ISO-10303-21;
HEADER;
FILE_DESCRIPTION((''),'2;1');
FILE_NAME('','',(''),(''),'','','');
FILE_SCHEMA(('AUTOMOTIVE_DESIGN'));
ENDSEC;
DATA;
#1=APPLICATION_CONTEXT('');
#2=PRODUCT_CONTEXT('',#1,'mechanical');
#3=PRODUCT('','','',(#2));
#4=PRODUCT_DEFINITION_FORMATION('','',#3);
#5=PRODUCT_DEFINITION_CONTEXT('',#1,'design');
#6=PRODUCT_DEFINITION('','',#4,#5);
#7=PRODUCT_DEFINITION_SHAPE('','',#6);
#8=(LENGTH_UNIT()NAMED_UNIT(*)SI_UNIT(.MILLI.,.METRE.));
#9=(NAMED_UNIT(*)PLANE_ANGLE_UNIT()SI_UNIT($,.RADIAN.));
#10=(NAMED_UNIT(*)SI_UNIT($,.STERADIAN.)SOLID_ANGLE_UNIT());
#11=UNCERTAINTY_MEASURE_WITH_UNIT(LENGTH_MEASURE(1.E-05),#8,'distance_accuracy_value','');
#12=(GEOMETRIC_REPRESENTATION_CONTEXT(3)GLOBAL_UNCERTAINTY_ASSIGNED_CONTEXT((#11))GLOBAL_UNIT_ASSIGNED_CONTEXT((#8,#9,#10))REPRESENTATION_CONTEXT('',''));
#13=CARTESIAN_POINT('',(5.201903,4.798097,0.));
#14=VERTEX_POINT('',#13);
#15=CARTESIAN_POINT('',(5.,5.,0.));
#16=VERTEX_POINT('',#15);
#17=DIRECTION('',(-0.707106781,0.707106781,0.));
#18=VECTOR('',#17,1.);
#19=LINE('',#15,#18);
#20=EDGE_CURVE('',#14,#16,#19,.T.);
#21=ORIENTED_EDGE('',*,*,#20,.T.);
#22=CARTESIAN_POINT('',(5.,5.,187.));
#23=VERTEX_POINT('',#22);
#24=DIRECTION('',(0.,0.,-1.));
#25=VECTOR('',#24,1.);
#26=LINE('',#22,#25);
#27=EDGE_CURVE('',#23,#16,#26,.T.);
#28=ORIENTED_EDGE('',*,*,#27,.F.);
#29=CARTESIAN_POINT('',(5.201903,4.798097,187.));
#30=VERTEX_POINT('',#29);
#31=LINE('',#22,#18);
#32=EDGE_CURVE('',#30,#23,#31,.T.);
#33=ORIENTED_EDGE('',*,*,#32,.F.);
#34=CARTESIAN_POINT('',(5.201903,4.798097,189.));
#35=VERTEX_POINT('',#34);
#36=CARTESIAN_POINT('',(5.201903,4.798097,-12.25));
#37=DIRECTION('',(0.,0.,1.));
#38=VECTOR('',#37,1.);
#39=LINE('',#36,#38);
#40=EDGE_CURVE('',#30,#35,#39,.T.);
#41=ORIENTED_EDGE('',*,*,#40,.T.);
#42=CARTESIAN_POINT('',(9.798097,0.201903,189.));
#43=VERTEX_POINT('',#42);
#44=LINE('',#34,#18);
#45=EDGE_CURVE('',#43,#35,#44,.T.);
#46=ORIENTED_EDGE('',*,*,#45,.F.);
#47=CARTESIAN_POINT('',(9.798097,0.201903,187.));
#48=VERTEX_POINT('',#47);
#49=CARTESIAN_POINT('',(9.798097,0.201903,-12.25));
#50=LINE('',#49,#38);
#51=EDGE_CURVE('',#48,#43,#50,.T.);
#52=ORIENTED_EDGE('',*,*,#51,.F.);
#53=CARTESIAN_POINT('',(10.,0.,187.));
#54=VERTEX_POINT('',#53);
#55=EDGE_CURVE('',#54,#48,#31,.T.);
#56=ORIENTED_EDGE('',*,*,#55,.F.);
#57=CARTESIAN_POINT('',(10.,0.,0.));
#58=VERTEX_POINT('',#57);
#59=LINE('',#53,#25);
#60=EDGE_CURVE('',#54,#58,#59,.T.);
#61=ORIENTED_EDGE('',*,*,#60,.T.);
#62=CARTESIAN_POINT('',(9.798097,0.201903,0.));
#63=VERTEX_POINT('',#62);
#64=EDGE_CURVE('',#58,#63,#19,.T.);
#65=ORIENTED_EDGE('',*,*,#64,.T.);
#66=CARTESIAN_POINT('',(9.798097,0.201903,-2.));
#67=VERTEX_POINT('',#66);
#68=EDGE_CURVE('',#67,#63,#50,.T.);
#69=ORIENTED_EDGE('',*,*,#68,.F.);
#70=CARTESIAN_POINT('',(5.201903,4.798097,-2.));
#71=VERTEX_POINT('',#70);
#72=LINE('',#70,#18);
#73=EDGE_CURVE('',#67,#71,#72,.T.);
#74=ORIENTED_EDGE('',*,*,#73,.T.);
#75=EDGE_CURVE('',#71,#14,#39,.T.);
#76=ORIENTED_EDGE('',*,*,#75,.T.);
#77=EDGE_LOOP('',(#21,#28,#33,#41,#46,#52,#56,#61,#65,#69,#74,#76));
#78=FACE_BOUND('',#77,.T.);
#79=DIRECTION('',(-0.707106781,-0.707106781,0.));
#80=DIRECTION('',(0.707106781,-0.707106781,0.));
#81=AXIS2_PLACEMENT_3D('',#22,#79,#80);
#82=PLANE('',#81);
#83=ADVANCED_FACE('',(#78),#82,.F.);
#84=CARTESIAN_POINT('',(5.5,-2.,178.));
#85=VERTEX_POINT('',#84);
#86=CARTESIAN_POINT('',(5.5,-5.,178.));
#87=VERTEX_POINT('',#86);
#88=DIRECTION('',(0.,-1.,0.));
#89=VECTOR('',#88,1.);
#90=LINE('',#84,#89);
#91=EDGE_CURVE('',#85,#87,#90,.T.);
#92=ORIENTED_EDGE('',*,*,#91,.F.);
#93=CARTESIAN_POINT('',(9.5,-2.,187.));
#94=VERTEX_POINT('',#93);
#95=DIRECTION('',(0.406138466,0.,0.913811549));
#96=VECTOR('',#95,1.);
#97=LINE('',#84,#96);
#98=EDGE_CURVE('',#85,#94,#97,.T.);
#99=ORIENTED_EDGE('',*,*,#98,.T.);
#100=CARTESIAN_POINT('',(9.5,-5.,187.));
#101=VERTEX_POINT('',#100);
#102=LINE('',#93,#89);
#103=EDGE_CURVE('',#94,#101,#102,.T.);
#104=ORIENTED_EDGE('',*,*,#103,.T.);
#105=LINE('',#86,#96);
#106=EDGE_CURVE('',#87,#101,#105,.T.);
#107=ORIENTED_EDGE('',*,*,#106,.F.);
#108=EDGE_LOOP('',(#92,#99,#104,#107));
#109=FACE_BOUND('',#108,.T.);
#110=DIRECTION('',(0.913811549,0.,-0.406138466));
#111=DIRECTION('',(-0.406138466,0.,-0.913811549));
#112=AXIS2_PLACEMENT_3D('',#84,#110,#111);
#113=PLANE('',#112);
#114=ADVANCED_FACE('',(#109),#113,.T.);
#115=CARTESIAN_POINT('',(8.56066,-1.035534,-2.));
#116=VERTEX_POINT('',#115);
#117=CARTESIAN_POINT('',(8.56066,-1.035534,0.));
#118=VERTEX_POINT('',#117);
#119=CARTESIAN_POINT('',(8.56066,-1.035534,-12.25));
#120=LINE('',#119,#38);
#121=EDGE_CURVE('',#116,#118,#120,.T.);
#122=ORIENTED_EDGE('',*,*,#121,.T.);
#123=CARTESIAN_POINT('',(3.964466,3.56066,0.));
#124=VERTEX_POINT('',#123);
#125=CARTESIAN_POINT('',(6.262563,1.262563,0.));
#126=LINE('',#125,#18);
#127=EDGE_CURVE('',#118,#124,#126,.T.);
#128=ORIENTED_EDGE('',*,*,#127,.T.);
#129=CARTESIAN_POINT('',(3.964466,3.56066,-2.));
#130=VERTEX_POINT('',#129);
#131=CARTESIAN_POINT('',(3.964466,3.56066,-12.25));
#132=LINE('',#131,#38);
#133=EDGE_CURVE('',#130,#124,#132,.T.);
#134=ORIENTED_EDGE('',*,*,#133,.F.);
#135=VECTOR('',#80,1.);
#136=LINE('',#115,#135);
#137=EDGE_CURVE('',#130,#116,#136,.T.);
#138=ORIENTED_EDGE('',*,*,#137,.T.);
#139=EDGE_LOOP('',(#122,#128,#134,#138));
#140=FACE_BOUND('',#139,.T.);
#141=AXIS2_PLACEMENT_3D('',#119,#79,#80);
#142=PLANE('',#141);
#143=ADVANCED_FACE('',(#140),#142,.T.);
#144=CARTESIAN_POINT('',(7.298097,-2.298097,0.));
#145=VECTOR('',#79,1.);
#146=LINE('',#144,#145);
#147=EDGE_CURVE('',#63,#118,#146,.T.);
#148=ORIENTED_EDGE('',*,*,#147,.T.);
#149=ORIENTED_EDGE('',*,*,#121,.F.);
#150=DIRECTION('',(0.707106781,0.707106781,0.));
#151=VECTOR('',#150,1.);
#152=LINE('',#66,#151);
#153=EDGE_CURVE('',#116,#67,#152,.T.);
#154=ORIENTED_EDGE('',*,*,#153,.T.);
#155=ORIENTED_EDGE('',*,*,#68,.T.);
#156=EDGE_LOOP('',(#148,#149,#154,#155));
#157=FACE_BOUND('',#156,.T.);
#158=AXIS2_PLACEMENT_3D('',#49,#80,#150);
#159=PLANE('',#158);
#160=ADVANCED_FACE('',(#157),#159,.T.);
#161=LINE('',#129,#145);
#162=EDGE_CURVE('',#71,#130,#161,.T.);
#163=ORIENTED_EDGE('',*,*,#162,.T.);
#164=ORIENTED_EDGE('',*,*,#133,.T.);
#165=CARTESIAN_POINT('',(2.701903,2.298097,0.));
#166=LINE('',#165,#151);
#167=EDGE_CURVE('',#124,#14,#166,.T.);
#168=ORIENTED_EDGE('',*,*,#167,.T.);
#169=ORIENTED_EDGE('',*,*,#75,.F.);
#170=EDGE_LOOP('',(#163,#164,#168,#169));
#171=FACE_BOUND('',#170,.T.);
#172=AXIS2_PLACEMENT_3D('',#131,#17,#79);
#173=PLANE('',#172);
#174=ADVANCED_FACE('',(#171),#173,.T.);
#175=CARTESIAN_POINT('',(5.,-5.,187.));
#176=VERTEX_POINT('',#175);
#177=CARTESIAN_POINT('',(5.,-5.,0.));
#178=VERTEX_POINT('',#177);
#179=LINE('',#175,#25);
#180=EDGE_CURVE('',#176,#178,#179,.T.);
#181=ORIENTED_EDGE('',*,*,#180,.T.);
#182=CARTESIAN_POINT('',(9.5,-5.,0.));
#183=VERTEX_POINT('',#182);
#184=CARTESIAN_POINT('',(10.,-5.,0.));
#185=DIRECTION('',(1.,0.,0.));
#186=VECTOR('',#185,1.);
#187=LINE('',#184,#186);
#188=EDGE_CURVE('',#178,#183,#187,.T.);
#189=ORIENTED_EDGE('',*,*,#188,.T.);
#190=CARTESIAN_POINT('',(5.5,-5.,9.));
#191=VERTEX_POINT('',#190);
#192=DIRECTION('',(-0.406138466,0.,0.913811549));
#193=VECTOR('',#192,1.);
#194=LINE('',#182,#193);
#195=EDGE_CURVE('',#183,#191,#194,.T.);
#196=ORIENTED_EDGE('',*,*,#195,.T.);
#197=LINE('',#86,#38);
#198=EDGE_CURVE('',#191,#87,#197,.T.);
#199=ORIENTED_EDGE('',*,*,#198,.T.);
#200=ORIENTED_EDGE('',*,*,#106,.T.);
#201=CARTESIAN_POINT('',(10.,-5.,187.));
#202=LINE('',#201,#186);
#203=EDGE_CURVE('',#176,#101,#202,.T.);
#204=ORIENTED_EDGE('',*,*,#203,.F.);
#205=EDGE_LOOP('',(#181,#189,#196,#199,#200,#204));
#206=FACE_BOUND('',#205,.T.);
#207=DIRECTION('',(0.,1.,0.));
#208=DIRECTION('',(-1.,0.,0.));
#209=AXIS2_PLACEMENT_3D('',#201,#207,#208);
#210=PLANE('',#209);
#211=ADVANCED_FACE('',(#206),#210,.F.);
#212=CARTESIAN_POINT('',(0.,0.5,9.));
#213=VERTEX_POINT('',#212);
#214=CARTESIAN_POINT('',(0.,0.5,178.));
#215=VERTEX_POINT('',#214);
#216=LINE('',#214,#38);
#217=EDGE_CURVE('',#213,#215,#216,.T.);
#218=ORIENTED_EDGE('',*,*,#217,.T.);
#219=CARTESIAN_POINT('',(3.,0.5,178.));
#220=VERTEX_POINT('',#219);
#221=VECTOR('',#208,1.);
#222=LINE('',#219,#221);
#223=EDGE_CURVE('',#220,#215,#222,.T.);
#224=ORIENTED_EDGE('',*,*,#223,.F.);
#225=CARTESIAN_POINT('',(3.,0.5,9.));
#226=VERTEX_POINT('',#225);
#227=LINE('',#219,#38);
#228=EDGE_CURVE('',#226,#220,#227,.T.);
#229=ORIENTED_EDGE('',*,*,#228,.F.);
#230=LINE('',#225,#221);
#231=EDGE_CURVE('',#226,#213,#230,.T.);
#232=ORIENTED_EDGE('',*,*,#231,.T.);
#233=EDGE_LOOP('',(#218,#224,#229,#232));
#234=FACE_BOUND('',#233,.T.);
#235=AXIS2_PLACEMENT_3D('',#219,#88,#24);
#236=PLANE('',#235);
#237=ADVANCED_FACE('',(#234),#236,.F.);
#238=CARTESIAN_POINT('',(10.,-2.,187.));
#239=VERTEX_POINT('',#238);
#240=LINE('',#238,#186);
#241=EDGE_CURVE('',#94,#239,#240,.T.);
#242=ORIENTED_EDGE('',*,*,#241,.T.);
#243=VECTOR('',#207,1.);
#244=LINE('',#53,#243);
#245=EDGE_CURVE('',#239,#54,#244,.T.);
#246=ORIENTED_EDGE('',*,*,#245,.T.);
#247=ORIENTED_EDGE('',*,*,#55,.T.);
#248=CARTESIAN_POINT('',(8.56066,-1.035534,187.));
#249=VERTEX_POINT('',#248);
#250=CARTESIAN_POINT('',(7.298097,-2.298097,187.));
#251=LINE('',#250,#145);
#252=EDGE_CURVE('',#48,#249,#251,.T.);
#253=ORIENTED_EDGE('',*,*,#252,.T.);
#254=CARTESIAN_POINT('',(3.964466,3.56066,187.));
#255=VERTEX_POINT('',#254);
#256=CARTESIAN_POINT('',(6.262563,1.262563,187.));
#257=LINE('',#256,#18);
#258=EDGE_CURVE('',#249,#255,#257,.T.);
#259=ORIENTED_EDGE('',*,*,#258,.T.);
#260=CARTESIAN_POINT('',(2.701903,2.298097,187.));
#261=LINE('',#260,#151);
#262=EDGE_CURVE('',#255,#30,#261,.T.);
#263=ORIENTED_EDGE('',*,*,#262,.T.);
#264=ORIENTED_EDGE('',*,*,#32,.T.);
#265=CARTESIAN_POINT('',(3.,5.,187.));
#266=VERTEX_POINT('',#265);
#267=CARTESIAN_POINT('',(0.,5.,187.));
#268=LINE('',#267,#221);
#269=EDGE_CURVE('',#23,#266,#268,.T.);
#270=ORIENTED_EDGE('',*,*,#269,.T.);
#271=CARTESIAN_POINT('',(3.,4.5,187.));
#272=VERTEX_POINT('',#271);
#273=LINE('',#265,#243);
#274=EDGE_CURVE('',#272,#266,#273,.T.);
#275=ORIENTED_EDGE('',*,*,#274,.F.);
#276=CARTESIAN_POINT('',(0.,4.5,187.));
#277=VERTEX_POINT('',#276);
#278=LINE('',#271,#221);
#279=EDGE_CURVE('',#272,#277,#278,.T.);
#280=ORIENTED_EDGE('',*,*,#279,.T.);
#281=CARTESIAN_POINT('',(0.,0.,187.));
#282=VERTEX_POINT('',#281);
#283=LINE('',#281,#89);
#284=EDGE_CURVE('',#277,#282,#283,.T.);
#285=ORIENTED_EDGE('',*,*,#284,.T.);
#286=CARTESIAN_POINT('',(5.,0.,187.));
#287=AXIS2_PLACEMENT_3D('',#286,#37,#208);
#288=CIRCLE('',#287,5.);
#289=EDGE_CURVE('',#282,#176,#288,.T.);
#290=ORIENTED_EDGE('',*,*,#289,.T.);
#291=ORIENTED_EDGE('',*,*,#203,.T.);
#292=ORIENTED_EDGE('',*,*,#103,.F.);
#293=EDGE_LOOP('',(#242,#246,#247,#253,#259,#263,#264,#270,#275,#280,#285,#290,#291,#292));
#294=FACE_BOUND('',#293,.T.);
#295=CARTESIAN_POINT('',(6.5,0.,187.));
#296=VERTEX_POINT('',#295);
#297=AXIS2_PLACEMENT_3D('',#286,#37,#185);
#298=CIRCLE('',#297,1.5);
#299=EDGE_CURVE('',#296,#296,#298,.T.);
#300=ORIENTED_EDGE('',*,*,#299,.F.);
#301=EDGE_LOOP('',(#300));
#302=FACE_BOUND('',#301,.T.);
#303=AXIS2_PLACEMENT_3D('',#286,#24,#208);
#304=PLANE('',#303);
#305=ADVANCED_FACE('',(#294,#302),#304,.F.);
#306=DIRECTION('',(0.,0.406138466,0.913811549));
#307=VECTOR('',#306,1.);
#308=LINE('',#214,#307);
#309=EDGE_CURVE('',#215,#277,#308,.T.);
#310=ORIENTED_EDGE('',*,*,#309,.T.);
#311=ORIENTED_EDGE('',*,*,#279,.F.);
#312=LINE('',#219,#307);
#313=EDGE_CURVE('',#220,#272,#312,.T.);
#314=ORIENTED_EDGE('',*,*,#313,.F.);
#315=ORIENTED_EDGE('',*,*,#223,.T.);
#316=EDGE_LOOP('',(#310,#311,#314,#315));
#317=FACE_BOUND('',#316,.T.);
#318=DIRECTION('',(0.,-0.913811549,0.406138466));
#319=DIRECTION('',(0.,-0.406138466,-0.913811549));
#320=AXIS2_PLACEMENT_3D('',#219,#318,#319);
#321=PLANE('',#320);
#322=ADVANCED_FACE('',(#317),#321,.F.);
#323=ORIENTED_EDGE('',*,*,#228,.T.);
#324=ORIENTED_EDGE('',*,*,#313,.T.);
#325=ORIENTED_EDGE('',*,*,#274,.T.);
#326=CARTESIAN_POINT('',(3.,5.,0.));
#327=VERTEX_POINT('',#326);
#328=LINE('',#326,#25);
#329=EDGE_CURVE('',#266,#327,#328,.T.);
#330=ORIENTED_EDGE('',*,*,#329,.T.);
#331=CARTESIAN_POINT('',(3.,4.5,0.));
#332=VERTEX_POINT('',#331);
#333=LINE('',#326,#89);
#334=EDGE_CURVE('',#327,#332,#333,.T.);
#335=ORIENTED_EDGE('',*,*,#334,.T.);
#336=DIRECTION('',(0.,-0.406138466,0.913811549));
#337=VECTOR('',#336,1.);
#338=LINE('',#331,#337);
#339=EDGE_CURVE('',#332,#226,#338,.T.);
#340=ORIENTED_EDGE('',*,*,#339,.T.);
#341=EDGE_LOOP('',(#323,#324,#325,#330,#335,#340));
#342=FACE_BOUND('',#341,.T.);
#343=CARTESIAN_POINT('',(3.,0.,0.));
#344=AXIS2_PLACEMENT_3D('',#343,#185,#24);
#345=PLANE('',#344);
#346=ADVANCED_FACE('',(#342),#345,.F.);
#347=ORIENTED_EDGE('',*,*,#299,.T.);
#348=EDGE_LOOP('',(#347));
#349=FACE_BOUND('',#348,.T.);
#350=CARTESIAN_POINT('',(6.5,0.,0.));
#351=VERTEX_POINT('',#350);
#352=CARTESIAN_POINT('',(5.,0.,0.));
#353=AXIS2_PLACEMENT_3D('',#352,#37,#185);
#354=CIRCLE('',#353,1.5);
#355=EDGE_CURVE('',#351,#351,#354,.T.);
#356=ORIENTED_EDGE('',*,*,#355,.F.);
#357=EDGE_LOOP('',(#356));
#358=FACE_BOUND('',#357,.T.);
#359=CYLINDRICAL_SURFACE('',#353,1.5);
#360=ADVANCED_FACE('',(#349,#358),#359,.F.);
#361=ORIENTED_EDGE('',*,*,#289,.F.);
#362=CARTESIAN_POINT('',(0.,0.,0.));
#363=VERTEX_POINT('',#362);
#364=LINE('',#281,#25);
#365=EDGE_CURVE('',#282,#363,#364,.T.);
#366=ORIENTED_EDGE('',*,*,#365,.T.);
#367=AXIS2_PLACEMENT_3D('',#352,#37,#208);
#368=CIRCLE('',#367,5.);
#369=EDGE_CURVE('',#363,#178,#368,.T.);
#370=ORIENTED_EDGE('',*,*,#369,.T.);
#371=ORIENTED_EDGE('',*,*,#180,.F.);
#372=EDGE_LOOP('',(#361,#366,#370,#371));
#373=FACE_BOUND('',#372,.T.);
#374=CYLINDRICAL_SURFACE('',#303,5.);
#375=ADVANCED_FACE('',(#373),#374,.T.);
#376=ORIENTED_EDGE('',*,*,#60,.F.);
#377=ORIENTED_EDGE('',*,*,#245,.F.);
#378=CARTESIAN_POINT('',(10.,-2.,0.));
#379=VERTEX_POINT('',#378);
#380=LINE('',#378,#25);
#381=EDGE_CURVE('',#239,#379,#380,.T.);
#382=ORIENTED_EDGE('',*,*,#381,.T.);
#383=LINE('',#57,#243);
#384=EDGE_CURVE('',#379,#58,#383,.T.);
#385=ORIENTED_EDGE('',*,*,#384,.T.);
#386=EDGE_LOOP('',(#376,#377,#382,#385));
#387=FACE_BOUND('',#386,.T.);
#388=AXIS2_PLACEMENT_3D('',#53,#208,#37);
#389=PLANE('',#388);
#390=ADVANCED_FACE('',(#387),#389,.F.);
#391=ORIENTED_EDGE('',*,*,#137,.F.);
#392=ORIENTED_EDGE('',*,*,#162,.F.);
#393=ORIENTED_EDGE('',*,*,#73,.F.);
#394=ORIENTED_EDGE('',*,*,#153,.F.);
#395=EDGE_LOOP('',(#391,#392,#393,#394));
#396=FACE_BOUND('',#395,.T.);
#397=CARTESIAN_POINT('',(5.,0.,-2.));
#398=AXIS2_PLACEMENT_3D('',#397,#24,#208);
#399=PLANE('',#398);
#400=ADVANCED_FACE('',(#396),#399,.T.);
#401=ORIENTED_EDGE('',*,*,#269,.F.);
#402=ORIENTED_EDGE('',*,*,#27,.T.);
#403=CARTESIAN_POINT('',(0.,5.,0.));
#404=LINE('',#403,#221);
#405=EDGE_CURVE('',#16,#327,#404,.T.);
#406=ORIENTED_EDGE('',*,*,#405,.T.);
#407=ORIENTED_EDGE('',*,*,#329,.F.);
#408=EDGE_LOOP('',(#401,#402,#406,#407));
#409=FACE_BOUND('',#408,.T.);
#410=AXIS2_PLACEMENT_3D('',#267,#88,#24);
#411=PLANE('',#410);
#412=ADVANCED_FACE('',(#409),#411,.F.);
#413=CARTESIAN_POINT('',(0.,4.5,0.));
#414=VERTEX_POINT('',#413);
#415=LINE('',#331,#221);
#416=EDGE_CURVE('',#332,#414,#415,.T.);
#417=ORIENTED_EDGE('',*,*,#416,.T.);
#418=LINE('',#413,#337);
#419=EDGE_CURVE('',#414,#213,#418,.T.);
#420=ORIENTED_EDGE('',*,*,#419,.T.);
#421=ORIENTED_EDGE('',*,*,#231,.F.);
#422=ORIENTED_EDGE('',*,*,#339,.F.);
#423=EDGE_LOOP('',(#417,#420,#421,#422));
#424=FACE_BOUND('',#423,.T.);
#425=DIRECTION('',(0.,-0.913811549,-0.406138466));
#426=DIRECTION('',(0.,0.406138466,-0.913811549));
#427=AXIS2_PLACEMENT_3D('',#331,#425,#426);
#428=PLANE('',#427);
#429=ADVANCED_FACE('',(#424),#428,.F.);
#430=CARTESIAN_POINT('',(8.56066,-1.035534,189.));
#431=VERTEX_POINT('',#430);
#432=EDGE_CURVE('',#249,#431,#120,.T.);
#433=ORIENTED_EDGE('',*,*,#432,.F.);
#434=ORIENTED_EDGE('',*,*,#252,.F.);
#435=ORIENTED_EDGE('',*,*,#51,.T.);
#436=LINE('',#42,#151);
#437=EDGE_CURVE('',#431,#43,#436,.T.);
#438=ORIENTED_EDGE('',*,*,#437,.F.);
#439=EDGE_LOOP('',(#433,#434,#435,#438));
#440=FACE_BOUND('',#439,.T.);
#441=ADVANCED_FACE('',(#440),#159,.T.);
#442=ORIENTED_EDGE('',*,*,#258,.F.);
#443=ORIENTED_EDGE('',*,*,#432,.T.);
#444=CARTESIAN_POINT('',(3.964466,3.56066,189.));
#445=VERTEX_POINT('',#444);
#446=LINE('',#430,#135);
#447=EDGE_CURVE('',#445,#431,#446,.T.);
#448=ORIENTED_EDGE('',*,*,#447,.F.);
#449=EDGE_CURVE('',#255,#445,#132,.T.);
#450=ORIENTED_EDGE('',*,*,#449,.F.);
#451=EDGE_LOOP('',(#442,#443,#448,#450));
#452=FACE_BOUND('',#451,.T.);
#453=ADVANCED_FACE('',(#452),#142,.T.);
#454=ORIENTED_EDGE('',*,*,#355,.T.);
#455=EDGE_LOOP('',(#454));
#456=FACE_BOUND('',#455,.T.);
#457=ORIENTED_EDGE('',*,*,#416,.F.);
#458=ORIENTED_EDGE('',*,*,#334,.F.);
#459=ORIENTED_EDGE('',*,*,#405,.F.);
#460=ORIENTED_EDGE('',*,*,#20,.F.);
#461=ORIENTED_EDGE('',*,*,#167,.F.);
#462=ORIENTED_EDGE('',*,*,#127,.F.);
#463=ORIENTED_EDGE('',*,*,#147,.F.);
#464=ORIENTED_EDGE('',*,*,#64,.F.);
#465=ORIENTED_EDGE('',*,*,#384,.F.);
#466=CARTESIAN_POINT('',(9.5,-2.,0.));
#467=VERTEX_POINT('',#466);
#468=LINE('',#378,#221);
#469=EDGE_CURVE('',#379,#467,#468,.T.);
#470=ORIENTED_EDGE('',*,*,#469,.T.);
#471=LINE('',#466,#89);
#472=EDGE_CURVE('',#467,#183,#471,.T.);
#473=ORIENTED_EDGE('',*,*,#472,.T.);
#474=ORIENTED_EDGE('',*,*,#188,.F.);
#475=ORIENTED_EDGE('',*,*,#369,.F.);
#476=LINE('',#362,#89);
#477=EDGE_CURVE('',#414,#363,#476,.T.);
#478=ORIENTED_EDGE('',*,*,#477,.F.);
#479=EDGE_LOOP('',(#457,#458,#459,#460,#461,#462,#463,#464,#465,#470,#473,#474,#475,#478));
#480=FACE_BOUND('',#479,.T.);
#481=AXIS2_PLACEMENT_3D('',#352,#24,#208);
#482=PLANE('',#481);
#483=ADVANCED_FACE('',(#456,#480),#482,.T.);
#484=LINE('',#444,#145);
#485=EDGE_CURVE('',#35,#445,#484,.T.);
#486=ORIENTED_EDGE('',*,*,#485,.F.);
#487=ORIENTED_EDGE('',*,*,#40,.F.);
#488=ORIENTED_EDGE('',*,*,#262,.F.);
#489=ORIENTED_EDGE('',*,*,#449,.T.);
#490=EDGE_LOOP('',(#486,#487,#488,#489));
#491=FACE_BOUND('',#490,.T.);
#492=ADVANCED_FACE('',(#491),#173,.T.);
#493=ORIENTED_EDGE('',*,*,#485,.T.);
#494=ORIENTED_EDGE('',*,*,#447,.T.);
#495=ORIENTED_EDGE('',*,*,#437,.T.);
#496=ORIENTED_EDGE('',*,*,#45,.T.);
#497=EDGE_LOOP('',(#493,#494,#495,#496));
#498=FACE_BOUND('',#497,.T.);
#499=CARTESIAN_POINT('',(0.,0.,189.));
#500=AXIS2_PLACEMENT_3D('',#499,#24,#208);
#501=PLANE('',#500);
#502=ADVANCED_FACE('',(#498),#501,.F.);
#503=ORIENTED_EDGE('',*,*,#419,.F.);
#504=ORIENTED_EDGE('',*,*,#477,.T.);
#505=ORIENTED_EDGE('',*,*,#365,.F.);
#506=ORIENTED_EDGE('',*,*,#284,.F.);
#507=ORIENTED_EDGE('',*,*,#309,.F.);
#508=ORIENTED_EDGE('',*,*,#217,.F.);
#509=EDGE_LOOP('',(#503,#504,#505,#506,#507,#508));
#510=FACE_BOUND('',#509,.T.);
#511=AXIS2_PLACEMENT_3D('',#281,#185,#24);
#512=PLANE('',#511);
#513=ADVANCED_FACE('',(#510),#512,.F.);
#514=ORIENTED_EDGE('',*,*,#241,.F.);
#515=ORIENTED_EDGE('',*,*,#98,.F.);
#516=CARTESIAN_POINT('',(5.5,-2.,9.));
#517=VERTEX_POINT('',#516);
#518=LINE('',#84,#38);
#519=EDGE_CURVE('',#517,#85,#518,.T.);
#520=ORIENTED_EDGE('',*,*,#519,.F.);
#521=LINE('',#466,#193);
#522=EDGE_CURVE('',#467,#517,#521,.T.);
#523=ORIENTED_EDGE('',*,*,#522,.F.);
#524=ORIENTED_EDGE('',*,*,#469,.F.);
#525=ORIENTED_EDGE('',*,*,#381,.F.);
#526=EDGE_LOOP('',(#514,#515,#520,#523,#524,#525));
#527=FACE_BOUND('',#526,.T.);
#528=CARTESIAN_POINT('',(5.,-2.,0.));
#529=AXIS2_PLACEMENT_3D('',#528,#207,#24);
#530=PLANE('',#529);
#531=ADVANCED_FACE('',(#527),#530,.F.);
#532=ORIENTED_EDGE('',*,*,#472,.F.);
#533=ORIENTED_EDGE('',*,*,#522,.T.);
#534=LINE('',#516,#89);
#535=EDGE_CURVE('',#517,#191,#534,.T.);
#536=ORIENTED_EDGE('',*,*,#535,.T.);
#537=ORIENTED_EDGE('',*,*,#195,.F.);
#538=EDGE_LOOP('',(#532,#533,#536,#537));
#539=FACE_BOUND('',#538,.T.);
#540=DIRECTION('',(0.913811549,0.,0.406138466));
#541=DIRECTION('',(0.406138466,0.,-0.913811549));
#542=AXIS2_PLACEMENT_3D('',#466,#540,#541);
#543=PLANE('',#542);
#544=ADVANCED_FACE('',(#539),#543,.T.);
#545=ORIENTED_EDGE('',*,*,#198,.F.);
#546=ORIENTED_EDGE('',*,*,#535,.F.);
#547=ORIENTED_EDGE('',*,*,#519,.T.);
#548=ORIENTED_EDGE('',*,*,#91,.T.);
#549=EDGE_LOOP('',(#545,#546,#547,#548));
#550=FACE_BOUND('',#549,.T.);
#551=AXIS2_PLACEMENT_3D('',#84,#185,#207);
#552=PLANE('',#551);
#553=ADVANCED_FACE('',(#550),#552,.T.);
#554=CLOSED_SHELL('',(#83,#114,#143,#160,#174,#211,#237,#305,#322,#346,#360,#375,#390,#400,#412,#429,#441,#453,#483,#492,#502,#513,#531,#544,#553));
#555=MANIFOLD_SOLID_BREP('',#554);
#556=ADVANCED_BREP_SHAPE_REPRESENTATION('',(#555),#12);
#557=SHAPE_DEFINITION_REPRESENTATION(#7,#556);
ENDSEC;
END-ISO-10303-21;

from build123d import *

# Parameters (mm, degrees)
BOSS_EXTRUDE1_DEPTH      = 187
SKETCH3_R                = 1.5
CUT_EXTRUDE2_DEPTH       = 188
CUT_EXTRUDE1_DEPTH       = 3
BOSS_EXTRUDE2_DEPTH      = 2
BOSS_EXTRUDE2_DEPTH_BACK = 189


with BuildPart() as part:
    # Sketch1 → Boss-Extrude1 (new body)
    with BuildSketch(Plane.XY):
        with BuildLine():
            Line((0, 0), (0, 5))
            Line((0, 5), (5, 5))
            Line((5, 5), (10, 0))
            Line((10, 0), (10, -5))
            Line((10, -5), (5, -5))
            ThreePointArc((5, -5), (1.464466094, -3.535533906), (0, 0))
        make_face()
    extrude(amount=BOSS_EXTRUDE1_DEPTH)

    # Sketch3 → Cut-Extrude2 (cut, through all)
    with BuildSketch(Plane.XY.offset(187)):
        with Locations((5, 0)):
            Circle(SKETCH3_R)
    extrude(amount=-CUT_EXTRUDE2_DEPTH, mode=Mode.SUBTRACT)

    # Sketch2 → Cut-Extrude1 (cut)
    with BuildSketch(Plane.ZY):
        Polygon((178, 0.5), (9, 0.5), (0, 4.5), (0, 5), (187, 5), (187, 4.5), align=None)
    cut_extrude1 = extrude(amount=-CUT_EXTRUDE1_DEPTH, mode=Mode.SUBTRACT)

    # Mirror1: Cut-Extrude1 across plane
    add(cut_extrude1.mirror(Plane(origin=(2.5, -2.5, 0), x_dir=(0, 0, 1), z_dir=(-0.707106781, 0.707106781, 0))), mode=Mode.SUBTRACT)

    # Sketch4 → Boss-Extrude2 (add, two sides)
    with BuildSketch(Plane.XY.offset(187)) as boss_extrude2_sk:
        Polygon((5.201902961, 4.798097039), (9.798097039, 0.201902961), (8.560660172, -1.035533906), (3.964466094, 3.560660172), align=None)
    extrude(amount=BOSS_EXTRUDE2_DEPTH)
    extrude(boss_extrude2_sk.sketch, amount=-BOSS_EXTRUDE2_DEPTH_BACK)


solid = part.part
